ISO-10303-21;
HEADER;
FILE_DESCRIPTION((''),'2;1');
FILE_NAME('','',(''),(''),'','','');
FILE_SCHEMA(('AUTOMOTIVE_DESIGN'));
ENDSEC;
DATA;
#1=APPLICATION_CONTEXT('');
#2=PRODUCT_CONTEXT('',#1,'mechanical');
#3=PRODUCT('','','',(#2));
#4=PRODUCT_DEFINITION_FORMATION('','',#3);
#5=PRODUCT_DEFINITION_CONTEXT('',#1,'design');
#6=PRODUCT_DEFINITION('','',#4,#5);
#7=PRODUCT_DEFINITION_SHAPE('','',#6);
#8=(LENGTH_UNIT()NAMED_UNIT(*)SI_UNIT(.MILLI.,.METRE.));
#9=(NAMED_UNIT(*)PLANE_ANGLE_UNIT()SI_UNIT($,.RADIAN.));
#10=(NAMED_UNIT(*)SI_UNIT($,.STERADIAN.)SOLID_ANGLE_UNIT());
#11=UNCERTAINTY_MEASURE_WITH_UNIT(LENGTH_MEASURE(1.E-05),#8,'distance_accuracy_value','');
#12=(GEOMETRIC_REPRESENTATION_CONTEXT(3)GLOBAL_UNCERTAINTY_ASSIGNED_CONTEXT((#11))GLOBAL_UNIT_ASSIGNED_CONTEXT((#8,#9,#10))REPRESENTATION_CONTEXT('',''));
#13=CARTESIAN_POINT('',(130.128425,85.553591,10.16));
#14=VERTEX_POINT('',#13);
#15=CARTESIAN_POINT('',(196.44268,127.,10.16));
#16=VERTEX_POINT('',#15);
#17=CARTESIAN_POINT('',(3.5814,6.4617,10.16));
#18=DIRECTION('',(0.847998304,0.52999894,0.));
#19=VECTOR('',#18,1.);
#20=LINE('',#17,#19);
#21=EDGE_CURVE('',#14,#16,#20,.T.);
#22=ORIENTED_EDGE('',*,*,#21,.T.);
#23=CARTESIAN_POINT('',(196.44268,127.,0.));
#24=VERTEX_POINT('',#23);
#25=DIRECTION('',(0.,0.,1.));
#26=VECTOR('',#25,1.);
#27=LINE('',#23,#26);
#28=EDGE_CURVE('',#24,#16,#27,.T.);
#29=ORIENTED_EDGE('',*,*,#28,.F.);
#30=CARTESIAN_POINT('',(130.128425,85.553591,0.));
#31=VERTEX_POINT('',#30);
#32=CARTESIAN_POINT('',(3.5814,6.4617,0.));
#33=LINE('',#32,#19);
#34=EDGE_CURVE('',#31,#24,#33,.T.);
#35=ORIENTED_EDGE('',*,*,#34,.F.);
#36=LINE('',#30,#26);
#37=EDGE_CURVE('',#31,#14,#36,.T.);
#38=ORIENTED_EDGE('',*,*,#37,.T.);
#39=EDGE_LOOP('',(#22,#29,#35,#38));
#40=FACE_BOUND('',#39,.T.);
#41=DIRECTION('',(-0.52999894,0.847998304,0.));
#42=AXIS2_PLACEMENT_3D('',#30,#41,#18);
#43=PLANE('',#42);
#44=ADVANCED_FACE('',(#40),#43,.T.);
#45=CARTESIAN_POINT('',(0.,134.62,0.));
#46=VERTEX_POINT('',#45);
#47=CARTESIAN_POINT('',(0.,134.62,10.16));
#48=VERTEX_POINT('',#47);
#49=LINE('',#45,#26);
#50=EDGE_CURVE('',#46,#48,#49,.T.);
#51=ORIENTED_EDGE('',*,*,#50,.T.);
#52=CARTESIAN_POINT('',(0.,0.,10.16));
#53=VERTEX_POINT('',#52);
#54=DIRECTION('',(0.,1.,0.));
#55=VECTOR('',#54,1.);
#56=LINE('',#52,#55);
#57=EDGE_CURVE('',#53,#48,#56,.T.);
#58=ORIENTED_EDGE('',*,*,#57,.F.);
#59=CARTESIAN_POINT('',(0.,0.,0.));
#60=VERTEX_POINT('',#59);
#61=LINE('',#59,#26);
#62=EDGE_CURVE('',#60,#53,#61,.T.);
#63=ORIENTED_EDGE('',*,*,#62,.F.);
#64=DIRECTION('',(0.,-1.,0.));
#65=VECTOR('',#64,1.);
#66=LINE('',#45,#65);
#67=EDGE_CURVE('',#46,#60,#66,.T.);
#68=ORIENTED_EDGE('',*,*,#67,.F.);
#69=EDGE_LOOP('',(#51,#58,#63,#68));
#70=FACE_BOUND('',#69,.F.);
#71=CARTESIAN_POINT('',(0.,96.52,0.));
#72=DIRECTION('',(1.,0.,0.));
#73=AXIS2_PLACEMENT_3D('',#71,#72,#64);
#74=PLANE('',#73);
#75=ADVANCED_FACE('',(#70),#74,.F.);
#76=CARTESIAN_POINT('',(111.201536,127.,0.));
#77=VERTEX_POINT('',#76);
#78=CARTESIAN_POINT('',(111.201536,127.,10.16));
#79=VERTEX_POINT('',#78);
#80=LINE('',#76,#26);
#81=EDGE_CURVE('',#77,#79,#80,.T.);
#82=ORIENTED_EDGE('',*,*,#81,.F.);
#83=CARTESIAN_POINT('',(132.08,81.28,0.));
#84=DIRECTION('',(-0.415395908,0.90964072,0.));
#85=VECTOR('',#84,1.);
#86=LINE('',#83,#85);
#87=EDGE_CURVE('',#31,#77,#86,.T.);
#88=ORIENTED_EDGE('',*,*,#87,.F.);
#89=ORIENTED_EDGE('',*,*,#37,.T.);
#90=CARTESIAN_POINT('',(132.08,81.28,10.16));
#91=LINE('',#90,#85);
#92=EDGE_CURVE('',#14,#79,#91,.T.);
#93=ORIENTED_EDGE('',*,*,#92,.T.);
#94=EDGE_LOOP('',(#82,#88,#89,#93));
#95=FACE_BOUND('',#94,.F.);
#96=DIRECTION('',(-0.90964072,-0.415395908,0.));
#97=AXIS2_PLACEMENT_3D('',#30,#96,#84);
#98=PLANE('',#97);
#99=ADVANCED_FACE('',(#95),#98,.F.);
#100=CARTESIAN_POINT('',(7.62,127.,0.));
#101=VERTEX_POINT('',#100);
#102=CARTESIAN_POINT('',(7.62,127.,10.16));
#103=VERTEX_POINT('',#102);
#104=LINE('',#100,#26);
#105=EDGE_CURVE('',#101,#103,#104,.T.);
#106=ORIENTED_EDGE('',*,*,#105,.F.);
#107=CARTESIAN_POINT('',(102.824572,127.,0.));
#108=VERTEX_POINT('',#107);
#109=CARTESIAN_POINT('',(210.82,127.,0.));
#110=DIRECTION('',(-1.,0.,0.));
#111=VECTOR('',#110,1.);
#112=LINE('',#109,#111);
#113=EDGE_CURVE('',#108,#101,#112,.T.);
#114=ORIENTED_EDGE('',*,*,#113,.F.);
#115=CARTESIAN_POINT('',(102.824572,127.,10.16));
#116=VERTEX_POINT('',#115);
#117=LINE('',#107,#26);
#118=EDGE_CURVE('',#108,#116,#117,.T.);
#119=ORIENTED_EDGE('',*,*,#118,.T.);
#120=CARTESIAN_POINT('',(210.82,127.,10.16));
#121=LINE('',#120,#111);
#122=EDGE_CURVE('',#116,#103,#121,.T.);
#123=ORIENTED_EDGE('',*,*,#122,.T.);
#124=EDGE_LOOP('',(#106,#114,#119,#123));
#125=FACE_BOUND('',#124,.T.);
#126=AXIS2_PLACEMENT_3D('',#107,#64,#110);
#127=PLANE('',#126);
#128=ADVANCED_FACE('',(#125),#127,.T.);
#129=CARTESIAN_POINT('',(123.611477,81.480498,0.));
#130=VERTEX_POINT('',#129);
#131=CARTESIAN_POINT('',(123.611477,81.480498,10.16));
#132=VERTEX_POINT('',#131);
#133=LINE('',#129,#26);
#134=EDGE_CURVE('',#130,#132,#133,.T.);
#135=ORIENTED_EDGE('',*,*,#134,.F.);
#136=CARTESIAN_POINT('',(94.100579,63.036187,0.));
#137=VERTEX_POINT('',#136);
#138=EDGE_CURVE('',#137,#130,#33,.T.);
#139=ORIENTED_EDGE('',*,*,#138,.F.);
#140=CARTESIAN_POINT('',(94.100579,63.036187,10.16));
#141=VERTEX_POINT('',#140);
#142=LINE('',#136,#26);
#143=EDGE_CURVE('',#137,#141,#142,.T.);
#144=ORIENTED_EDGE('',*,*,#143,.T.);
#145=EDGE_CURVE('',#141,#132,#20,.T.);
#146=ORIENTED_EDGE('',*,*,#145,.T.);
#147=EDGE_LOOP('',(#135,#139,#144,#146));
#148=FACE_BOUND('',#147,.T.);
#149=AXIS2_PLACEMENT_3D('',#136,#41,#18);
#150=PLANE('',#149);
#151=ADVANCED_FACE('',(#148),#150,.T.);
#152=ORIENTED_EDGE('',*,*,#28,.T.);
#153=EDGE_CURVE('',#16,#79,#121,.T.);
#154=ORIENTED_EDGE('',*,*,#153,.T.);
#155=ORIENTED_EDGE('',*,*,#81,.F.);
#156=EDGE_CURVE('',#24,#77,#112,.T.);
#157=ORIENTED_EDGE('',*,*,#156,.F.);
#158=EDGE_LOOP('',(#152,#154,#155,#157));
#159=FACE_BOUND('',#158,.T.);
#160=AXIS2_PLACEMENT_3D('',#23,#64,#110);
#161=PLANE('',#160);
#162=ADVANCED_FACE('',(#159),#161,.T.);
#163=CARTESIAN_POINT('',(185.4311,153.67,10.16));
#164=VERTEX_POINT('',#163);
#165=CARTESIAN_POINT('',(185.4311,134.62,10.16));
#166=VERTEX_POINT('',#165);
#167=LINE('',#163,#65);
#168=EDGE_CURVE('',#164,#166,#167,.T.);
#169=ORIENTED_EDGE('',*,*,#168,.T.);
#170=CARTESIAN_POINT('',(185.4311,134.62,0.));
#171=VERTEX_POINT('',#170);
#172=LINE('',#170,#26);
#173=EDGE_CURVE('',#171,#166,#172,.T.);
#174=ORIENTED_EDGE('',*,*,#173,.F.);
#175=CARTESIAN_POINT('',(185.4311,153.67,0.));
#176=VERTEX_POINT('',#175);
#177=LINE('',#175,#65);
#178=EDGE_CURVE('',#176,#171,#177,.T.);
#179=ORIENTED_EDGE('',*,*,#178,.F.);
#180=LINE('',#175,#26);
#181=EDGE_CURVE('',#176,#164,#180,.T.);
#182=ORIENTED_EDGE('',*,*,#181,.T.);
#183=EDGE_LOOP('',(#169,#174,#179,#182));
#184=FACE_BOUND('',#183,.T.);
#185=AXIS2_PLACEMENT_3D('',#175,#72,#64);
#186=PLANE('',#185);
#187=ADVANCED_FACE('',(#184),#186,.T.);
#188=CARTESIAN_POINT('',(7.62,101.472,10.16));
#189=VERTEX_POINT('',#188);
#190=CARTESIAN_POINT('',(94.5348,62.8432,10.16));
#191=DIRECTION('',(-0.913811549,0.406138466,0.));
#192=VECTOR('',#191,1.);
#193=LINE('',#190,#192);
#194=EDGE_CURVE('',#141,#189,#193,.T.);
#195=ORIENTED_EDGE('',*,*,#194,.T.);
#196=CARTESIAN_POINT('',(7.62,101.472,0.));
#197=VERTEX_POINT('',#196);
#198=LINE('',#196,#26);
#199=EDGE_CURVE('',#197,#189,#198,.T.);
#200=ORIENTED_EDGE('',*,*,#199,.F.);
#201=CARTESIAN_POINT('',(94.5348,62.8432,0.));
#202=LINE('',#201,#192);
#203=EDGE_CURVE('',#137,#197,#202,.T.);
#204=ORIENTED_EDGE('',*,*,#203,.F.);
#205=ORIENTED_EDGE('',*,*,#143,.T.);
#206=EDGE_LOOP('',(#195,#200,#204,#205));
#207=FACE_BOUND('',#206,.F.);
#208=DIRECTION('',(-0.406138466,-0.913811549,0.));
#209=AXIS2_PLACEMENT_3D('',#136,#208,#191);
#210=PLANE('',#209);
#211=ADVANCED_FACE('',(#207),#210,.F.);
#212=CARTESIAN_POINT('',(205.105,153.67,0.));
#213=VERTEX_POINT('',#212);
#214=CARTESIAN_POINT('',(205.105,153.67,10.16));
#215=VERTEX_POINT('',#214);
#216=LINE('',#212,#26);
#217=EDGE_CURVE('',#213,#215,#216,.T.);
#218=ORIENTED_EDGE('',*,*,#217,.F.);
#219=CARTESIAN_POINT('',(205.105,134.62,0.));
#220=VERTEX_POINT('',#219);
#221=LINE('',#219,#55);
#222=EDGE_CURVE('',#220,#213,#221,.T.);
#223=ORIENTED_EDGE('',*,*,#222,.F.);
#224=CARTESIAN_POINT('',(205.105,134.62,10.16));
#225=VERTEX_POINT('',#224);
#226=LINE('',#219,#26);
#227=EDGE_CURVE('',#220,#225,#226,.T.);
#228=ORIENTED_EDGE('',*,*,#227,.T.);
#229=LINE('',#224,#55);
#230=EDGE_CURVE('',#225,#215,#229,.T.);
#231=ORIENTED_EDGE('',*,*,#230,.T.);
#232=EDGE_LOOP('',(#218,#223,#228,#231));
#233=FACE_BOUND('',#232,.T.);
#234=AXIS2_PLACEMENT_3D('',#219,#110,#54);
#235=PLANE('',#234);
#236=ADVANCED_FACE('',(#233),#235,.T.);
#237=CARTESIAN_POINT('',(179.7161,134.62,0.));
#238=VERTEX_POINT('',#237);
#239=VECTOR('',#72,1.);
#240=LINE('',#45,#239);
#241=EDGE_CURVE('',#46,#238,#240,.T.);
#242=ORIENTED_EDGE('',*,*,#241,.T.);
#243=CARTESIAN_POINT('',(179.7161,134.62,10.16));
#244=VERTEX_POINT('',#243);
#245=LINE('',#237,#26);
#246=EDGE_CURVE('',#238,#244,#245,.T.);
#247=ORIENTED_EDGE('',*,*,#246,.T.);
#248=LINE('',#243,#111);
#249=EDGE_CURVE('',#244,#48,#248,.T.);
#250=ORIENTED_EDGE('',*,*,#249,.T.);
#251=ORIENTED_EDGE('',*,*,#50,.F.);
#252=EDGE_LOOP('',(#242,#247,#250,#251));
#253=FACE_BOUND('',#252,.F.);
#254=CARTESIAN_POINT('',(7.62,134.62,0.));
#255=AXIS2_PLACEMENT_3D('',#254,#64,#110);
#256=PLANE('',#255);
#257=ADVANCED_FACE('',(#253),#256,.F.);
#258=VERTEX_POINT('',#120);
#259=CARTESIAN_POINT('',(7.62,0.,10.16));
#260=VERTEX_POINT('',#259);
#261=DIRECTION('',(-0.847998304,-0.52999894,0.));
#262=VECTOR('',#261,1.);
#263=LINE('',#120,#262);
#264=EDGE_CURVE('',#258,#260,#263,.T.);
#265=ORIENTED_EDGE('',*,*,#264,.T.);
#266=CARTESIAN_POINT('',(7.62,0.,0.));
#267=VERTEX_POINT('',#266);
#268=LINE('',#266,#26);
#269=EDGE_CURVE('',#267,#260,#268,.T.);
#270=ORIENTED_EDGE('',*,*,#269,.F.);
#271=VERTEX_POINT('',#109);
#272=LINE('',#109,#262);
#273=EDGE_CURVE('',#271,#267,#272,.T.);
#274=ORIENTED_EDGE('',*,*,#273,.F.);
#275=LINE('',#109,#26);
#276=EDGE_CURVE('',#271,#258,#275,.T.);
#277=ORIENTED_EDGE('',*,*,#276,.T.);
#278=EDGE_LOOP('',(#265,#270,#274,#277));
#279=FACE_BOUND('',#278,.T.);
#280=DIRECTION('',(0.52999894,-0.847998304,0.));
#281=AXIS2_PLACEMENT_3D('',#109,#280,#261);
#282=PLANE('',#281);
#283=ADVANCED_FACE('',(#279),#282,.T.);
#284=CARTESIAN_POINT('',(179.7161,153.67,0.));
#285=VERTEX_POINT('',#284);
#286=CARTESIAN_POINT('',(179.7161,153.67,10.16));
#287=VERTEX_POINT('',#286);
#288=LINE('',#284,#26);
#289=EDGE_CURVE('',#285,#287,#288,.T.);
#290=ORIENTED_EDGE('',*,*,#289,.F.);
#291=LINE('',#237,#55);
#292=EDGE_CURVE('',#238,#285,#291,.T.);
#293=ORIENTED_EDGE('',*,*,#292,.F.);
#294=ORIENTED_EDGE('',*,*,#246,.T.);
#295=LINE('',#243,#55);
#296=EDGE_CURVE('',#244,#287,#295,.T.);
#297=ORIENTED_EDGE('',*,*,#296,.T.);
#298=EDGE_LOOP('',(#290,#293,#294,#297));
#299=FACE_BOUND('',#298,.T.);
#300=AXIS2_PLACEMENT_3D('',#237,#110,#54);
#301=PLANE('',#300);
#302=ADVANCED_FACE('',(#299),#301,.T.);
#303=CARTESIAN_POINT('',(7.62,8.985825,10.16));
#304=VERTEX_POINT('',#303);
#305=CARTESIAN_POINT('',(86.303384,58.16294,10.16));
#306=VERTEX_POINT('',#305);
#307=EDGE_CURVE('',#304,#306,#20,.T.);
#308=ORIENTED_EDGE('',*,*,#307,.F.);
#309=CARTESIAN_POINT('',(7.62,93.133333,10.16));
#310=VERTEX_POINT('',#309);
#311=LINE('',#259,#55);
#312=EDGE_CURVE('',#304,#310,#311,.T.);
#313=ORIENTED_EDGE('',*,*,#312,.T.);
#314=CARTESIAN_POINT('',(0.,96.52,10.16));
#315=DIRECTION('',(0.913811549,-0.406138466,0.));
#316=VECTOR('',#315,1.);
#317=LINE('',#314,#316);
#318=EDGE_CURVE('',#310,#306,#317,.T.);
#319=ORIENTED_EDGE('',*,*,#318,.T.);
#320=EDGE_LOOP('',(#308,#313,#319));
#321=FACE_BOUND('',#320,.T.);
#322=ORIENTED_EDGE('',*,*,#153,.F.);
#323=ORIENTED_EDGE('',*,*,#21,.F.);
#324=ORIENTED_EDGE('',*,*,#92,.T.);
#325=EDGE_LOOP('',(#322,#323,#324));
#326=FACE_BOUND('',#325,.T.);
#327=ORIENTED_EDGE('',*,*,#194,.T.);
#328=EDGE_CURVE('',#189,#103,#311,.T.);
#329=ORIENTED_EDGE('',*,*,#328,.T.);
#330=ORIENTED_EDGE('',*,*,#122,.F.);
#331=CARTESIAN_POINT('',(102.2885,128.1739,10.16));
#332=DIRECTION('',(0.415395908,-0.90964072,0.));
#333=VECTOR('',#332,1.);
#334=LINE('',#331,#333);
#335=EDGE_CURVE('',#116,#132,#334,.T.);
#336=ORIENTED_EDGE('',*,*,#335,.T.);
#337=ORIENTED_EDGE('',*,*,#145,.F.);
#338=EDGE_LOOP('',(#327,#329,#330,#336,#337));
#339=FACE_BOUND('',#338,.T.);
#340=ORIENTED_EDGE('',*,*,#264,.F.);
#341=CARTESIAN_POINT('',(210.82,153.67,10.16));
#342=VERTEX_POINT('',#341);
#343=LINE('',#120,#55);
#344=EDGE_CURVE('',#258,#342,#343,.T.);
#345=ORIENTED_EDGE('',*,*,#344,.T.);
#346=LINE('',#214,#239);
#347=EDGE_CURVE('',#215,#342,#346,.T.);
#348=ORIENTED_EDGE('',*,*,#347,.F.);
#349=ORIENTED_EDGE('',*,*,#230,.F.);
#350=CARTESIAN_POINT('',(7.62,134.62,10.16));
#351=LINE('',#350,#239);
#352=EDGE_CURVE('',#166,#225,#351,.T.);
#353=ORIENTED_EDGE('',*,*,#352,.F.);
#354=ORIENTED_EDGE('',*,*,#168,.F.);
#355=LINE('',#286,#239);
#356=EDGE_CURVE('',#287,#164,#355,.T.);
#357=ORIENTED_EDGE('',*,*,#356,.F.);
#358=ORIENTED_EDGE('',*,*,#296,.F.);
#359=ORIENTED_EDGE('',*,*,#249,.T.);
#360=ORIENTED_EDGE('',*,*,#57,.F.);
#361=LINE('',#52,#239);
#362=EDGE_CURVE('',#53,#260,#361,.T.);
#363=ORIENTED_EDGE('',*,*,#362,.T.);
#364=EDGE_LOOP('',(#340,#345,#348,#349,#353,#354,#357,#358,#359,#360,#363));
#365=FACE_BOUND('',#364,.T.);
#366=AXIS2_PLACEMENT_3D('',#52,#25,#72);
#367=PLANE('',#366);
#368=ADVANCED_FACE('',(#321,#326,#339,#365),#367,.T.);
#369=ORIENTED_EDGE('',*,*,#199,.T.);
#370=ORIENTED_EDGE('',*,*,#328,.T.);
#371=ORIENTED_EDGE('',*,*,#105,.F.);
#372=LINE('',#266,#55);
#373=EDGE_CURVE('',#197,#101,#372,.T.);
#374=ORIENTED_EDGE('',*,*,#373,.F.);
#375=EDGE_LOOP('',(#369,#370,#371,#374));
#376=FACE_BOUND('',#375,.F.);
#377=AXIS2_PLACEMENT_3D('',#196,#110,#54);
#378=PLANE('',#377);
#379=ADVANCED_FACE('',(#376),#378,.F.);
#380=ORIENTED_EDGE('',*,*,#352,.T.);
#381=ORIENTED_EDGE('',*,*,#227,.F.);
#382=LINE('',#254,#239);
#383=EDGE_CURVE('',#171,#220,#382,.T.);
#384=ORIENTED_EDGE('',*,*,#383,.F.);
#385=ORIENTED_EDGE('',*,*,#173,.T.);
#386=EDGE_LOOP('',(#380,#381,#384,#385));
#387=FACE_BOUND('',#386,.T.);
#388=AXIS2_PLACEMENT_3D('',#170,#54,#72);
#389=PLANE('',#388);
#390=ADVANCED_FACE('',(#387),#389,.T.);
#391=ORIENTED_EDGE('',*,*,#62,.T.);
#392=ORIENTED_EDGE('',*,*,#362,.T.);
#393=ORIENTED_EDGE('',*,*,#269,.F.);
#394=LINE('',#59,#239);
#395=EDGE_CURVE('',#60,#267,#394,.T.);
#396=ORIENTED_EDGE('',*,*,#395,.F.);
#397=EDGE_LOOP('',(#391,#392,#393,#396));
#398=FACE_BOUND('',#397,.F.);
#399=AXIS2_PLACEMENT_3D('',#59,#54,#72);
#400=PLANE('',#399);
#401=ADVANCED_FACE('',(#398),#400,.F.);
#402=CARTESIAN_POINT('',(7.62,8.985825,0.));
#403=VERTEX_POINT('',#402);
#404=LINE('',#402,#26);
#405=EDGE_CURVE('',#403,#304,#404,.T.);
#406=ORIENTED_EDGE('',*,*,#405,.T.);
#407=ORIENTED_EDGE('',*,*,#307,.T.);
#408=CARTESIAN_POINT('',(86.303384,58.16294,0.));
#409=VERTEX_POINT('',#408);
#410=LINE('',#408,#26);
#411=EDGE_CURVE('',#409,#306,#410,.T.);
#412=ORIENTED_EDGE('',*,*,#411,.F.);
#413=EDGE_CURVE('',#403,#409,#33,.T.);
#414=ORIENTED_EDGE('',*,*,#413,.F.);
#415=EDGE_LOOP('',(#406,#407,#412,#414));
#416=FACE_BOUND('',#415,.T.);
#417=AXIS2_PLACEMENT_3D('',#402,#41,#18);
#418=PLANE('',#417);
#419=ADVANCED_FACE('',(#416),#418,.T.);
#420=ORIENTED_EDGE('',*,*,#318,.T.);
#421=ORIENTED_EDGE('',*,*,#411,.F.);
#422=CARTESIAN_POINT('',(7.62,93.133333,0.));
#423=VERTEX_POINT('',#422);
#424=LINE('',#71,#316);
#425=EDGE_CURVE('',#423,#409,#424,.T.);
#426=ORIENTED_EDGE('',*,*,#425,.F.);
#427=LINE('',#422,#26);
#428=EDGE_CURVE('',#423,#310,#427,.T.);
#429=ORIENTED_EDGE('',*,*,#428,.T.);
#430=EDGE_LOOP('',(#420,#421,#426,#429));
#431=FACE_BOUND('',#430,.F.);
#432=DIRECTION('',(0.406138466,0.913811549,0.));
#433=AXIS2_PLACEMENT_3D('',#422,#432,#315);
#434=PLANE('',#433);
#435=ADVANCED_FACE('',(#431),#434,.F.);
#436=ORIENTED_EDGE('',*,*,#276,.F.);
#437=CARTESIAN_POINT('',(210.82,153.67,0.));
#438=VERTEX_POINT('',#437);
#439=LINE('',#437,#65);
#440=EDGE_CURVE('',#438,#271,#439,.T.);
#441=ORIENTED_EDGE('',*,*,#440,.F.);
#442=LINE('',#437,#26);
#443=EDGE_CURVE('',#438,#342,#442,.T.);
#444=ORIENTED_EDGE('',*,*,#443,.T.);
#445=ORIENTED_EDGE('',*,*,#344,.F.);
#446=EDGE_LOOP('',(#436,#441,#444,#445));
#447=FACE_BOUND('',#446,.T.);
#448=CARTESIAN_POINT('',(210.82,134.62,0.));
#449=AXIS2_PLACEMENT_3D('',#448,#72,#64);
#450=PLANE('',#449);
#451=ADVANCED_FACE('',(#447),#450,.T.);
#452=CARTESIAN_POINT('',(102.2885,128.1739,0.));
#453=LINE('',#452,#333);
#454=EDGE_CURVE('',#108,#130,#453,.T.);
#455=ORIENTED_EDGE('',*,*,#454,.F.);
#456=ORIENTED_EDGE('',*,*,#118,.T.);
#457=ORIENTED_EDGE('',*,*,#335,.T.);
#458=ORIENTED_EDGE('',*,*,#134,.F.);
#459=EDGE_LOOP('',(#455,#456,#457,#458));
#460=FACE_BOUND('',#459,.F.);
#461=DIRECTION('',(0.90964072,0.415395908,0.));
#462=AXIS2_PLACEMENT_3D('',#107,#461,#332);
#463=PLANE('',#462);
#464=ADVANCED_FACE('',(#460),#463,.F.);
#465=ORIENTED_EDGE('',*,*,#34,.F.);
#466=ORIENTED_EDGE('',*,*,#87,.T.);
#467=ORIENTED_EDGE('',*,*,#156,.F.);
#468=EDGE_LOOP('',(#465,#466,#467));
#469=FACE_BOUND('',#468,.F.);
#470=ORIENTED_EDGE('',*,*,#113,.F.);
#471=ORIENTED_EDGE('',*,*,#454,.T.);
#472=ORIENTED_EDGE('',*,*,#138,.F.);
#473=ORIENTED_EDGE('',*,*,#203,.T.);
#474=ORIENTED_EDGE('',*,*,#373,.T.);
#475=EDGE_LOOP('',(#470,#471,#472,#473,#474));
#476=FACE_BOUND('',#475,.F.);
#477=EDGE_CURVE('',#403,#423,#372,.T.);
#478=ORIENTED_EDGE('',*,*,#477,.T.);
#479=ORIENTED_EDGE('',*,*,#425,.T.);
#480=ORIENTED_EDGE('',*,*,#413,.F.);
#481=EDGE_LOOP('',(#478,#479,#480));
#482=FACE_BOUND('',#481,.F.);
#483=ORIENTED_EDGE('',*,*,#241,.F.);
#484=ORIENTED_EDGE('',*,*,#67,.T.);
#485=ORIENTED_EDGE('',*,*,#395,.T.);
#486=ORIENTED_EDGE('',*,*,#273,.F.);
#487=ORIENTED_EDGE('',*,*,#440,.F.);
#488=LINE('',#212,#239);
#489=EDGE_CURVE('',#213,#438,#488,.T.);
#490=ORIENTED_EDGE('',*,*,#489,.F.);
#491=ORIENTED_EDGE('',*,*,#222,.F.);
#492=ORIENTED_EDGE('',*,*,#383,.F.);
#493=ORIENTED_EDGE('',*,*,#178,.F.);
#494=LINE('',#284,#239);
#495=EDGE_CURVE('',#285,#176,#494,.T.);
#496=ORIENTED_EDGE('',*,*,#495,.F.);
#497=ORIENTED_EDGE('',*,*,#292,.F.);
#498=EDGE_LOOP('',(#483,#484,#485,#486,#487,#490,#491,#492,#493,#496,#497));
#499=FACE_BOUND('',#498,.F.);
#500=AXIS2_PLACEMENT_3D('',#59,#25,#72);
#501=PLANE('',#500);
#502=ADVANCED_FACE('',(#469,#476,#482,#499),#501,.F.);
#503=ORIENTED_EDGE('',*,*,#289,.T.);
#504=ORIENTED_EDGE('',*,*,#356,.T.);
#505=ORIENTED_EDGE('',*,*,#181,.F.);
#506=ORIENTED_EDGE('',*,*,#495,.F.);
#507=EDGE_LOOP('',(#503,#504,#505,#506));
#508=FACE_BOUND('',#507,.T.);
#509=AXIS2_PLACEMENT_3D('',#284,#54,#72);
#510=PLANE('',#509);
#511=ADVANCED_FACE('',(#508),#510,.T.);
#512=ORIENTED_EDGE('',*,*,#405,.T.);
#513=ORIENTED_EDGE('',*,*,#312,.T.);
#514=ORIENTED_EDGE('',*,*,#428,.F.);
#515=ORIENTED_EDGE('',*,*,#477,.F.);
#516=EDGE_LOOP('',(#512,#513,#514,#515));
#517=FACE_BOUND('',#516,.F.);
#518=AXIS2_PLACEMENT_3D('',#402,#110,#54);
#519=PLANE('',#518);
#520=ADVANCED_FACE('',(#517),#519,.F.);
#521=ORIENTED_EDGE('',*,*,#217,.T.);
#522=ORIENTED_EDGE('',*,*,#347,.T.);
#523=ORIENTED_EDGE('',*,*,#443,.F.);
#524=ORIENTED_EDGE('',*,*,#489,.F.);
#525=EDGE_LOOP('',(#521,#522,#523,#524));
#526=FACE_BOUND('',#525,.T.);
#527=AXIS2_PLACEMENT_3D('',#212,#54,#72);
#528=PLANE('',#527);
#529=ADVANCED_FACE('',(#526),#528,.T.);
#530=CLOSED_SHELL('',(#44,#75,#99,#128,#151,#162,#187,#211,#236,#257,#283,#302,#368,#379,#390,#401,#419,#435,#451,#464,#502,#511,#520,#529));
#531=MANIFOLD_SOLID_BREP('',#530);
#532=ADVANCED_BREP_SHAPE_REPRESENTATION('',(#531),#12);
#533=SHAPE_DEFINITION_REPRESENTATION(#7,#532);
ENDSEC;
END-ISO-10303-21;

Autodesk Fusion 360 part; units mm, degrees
sketch "Sketch1" plane through (0, 0, 0) normal (0, 0, 1) x (1, 0, 0)
  line L0 (0, 0) -> (7.62, 0)
  line L1 (7.62, 0) -> (7.62, 134.62)
  line L2 (7.62, 134.62) -> (0, 134.62)
  line L3 (0, 134.62) -> (0, 0)
  line L4 (7.62, 134.62) -> (210.82, 134.62)
  line L5 (210.82, 134.62) -> (210.82, 127)
  line L6 (210.82, 127) -> (7.62, 127)
  line L7 (7.62, 127) -> (7.62, 134.62)
  line L8 (210.82, 127) -> (7.62, 0)
  line L9 (7.62, 0) -> (3.5814, 6.4617)
  line L10 (3.5814, 6.4617) -> (206.7814, 133.4617)
  line L11 (206.7814, 133.4617) -> (210.82, 127)
  line L12 (210.82, 134.62) -> (205.105, 134.62)
  line L13 (205.105, 134.62) -> (205.105, 153.67)
  line L14 (205.105, 153.67) -> (210.82, 153.67)
  line L15 (210.82, 153.67) -> (210.82, 134.62)
  line L16 (185.4311, 134.62) -> (179.7161, 134.62)
  line L17 (179.7161, 134.62) -> (179.7161, 153.67)
  line L18 (179.7161, 153.67) -> (185.4311, 153.67)
  line L19 (185.4311, 153.67) -> (185.4311, 134.62)
  line L20 (0, 96.52) -> (91.44, 55.88)
  line L21 (91.44, 55.88) -> (94.5348, 62.8432)
  line L22 (94.5348, 62.8432) -> (3.0948, 103.4832)
  line L23 (3.0948, 103.4832) -> (0, 96.52)
  line L24 (132.08, 81.28) -> (109.22, 131.3392)
  line L25 (109.22, 131.3392) -> (102.2885, 128.1739)
  line L26 (102.2885, 128.1739) -> (125.1485, 78.1147)
  line L27 (125.1485, 78.1147) -> (132.08, 81.28)
  dimension "d1" = 134.62
  dimension "d2" = 7.62
  dimension "d3" = 203.2
  dimension "d4" = 7.62
  dimension "d5" = 19.05
  dimension "d6" = 5.715
  dimension "d7" = 5.715
  dimension "d8" = 19.05
  dimension "d9" = 7.62
  dimension "d10" = 7.62
extrude "Extrude1" add sketch "Sketch1" along normal blind 10.16 contours L0 L1 L3 L9 L10 L20 | L1 L9 L10 | L1 L6 L8 L10 L20 L21 L22 L24 L26 L27 | L1 L20 L22 L23 | L1 L2 L3 L7 L22 L23 | L1 L4 L5 L6 L7 L10 L11 L12 L16 L24 L25 L26 | L6 L10 L11 | L1 L10 L20 L22 | L10 L20 L21 L22 | L4 L12 L13 L14 L15 | L6 L10 L24 L26 | L6 L24 L25 L26 | L10 L24 L26 L27 | L4 L16 L17 L18 L19
